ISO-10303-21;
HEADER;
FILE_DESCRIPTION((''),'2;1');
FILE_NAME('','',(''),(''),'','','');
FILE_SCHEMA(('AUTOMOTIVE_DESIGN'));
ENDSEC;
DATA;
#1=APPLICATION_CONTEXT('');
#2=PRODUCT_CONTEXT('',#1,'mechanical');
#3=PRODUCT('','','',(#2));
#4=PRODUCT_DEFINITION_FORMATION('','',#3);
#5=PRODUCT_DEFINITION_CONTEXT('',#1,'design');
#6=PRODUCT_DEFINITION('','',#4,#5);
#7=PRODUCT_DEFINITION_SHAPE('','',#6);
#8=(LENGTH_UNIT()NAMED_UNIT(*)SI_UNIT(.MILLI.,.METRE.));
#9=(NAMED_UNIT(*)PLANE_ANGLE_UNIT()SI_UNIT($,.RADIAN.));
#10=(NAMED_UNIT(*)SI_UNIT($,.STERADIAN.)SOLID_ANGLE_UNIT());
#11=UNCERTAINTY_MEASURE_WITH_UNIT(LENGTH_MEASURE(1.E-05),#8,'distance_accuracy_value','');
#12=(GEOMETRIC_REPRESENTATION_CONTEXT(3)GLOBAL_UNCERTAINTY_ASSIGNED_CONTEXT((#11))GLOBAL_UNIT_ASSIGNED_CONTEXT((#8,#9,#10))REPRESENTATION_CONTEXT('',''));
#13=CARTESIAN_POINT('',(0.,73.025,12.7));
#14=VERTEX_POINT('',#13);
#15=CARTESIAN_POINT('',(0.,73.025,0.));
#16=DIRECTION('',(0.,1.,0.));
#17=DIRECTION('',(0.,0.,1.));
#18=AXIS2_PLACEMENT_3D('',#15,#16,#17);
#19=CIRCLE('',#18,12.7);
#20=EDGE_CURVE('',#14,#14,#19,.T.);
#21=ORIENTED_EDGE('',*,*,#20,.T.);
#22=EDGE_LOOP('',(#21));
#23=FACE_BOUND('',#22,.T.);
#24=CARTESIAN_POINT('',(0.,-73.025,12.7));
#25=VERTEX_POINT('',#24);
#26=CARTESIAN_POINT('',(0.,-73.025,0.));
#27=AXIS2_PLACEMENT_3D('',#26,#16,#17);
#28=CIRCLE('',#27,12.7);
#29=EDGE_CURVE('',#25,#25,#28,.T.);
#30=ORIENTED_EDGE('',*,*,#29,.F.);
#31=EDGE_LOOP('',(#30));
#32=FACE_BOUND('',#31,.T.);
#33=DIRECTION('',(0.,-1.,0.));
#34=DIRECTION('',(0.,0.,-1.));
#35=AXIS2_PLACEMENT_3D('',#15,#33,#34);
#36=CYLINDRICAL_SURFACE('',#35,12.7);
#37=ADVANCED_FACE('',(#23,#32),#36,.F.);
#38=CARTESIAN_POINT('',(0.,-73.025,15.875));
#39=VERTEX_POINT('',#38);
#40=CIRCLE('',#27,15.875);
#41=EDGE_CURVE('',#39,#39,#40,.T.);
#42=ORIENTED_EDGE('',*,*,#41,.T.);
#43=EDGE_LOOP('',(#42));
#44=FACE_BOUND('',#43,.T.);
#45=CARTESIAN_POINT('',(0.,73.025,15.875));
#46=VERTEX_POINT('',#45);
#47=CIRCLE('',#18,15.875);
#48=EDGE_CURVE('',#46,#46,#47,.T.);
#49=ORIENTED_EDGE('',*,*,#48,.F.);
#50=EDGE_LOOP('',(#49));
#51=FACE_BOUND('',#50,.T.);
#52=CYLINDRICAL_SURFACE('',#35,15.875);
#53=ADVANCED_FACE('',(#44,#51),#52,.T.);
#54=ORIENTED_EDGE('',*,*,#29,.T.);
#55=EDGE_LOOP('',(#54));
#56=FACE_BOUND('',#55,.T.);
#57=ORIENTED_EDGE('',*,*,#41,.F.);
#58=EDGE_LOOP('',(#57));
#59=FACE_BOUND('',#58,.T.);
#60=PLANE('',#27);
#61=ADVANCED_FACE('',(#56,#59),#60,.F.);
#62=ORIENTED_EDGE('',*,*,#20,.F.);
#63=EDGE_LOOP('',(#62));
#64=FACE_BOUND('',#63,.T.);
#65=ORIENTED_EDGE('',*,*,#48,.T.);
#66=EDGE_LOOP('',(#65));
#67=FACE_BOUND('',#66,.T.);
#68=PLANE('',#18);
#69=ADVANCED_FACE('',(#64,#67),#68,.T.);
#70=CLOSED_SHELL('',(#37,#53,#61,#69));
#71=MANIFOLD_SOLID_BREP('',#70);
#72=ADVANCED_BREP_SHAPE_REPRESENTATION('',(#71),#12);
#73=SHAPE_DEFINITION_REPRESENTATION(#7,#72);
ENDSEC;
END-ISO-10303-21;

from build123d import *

# Parameters (mm, degrees)
SKETCH1_R           = 15.875
SKETCH1_R_2         = 12.7
BOSS_EXTRUDE1_DEPTH = 73.025


with BuildPart() as part:
    # Sketch1 → Boss-Extrude1 (new, symmetric)
    with BuildSketch(Plane(origin=(0, 0, 0), x_dir=(1, 0, 0), z_dir=(0, 1, 0))):
        with Locations(Location((0, 0, 0), (0, 0, 270))):
            Circle(SKETCH1_R)
        with Locations(Location((0, 0, 0), (0, 0, 270))):
            Circle(SKETCH1_R_2, mode=Mode.SUBTRACT)
    extrude(amount=BOSS_EXTRUDE1_DEPTH, both=True)


solid = part.part
